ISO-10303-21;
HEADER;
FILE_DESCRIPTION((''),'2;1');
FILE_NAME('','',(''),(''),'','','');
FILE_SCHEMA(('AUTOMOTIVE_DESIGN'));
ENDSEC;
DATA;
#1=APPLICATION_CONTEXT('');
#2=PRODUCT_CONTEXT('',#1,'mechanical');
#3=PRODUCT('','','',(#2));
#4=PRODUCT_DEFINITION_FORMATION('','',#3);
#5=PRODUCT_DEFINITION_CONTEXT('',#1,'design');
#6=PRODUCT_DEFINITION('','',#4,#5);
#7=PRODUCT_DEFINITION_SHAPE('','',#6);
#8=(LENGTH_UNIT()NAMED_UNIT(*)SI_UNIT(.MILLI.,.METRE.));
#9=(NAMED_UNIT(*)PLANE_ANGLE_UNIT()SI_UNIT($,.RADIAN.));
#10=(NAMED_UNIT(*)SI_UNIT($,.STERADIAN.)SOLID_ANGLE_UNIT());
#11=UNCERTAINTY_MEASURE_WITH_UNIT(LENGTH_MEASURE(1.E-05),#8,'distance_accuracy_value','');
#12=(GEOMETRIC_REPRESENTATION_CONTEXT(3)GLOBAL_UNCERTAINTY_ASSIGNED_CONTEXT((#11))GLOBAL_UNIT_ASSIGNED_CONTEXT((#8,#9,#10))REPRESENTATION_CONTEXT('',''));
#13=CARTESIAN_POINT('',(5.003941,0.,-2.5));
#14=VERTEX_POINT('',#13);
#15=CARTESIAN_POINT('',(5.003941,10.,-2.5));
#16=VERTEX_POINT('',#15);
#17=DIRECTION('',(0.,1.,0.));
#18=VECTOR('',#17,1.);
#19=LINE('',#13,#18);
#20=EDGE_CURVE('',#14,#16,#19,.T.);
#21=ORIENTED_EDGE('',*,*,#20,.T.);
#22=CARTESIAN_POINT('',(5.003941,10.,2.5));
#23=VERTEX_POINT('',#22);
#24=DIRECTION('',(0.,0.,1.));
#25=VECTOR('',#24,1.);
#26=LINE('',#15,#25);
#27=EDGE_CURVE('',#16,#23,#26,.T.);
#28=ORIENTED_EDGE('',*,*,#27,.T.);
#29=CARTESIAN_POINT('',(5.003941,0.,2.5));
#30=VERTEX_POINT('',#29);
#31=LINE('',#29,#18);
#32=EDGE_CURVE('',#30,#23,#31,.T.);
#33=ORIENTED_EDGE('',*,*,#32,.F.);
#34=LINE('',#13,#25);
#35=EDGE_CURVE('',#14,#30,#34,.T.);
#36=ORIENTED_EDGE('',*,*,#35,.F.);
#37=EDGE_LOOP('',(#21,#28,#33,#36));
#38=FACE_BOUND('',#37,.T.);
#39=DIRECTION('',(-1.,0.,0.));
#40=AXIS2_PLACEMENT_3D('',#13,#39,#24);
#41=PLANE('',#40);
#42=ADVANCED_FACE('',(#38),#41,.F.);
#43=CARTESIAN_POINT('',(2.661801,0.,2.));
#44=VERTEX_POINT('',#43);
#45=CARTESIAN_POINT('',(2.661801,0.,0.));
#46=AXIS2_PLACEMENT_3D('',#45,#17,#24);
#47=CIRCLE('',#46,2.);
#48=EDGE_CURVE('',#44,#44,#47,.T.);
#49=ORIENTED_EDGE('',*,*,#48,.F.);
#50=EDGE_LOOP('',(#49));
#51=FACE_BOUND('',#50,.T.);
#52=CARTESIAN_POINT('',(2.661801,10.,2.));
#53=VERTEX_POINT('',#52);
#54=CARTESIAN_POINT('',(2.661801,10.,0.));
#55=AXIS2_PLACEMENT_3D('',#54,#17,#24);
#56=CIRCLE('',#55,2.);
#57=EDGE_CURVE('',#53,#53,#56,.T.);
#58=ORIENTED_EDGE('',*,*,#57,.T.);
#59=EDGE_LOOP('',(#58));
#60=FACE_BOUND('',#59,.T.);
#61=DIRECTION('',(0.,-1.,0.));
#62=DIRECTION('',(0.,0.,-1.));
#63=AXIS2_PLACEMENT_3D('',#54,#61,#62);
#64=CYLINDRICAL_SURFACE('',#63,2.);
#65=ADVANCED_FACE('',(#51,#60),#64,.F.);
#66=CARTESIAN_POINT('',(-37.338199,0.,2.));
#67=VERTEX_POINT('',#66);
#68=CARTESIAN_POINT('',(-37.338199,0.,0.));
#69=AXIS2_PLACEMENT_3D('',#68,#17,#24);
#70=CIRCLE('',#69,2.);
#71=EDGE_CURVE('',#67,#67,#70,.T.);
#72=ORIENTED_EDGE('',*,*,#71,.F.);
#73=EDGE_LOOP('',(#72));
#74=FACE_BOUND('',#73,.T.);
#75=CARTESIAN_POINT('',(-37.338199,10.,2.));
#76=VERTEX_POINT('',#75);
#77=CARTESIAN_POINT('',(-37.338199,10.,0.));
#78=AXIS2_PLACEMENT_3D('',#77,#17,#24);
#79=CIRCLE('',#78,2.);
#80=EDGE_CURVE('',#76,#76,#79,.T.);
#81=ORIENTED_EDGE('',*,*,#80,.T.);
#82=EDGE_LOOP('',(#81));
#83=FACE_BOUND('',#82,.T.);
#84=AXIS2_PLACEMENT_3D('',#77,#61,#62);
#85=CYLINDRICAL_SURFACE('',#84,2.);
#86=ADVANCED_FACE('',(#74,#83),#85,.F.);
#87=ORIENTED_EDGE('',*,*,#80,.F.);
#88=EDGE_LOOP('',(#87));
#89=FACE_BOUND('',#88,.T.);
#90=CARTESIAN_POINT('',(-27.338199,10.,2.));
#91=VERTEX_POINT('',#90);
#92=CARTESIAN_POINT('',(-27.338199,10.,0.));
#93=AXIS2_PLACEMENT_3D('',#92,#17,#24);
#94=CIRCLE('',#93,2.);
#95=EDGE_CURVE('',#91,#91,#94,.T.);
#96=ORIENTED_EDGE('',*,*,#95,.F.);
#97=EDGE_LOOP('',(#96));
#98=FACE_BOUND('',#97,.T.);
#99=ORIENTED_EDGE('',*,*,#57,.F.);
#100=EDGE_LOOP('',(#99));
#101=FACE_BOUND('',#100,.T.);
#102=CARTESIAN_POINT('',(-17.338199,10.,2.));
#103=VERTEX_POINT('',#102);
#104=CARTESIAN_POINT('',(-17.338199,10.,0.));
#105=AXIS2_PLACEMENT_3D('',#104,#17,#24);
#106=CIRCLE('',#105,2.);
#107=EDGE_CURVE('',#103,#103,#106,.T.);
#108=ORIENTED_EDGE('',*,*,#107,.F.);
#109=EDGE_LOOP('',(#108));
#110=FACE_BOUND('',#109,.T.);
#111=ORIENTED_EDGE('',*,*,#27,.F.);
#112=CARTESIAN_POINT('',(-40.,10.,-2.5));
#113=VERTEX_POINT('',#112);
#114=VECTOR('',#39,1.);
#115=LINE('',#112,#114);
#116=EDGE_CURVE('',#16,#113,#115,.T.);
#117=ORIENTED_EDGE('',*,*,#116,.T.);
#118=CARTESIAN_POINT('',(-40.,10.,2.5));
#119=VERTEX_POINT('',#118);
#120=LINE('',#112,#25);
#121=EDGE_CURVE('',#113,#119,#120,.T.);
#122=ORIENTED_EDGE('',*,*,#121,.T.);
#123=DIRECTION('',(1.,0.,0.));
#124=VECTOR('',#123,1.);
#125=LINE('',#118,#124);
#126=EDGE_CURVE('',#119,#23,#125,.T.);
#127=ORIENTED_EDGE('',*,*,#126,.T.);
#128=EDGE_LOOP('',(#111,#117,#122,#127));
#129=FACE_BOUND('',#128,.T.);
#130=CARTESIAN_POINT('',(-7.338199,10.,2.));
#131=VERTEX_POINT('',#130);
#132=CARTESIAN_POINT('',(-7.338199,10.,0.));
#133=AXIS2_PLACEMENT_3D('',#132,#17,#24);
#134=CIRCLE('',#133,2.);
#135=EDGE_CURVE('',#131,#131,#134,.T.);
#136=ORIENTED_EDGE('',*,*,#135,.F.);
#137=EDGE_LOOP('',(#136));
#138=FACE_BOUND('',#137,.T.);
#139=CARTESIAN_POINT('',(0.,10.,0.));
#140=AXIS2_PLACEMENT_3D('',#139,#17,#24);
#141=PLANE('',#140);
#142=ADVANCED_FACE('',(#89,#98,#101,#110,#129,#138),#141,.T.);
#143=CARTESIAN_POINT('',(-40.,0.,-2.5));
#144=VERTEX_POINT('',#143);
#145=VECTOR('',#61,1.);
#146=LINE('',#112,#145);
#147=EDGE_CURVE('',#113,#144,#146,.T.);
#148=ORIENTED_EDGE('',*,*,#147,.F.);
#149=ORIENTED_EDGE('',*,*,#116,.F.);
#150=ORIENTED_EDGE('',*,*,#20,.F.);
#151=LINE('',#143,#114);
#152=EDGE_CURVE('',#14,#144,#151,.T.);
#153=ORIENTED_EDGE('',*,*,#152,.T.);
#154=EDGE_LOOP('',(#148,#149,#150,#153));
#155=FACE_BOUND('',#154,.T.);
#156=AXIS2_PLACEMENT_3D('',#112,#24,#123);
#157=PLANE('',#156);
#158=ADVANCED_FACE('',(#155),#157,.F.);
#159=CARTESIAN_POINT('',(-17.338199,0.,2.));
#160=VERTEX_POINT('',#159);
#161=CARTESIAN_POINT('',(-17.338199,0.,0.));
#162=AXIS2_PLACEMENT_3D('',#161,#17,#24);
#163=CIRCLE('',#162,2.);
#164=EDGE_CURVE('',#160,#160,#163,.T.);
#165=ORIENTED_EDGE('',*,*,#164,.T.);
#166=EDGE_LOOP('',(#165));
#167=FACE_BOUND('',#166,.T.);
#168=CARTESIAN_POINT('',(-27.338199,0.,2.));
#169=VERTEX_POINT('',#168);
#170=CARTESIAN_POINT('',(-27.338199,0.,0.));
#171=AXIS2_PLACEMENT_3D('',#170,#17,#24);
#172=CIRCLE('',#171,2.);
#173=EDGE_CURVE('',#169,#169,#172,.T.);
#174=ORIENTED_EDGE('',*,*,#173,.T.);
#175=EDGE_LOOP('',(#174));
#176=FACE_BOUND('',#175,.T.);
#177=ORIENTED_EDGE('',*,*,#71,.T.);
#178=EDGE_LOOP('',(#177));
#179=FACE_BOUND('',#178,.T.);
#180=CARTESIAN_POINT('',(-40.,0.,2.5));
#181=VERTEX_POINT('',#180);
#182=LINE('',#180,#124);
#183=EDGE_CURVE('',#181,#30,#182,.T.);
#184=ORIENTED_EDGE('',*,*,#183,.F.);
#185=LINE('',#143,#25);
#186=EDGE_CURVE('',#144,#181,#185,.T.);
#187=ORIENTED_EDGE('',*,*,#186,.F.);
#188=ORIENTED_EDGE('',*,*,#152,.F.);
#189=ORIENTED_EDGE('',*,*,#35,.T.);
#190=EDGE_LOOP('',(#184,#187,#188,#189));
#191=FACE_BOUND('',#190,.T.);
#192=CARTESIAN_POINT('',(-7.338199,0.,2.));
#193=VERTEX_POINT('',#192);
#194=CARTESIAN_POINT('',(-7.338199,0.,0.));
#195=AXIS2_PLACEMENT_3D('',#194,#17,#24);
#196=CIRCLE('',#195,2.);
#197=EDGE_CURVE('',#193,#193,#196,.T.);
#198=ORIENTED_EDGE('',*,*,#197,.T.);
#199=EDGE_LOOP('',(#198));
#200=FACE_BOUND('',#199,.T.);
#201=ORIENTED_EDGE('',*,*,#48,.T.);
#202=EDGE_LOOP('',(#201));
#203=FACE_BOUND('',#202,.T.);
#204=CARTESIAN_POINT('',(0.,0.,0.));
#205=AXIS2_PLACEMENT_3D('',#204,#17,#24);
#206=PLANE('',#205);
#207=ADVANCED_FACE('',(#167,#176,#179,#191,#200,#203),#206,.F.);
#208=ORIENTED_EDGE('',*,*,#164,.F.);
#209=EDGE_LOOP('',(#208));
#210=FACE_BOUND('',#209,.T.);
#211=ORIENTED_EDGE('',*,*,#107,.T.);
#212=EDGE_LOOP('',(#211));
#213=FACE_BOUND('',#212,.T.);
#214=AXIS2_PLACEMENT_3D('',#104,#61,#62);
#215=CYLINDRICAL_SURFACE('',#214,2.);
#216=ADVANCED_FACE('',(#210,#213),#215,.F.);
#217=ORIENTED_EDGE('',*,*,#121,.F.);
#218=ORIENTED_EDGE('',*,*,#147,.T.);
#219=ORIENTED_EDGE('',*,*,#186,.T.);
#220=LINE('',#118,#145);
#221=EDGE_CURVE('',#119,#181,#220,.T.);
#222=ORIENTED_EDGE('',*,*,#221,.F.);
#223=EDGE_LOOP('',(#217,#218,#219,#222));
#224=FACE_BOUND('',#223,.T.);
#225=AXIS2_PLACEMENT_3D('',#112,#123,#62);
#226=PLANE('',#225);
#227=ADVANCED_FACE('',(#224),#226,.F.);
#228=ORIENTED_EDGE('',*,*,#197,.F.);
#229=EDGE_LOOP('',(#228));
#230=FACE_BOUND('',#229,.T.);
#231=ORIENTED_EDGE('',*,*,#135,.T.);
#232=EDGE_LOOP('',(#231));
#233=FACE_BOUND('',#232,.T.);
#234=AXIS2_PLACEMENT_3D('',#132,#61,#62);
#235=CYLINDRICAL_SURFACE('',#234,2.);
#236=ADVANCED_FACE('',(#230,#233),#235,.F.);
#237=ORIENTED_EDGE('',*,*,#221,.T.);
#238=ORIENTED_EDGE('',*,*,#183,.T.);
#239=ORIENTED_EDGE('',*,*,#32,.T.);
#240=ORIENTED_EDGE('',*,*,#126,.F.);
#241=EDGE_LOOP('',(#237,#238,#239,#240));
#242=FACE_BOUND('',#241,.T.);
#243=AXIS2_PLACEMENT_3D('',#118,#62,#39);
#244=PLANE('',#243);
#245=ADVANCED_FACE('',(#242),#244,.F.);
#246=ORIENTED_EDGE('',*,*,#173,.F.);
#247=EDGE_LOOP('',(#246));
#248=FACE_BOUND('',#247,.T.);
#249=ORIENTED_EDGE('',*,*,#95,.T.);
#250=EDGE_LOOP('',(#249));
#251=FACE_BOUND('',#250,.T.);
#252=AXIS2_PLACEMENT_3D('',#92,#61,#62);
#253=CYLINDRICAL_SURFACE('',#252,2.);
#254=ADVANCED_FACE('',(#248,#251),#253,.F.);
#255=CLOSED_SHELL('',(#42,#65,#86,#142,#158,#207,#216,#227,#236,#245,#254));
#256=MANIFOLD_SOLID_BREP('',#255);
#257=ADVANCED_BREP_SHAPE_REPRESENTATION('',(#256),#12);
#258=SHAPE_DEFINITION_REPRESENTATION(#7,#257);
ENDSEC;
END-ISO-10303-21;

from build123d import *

# Parameters (mm, degrees)
SKETCH_1_W          = 50
SKETCH_1_H          = 5
SKETCH_1_R          = 2
EXTRUDE_1_DEPTH     = 10
SKETCH_2_W          = 4.996058956
SKETCH_2_H          = 5
CUT_EXTRUDE_1_DEPTH = 10


with BuildPart() as part:
    # 草图1 → 凸台-拉伸1 (new body)
    with BuildSketch(Plane(origin=(0, 0, 0), x_dir=(1, 0, 0), z_dir=(0, 1, 0))):
        with Locations((-15, 0)):
            Rectangle(SKETCH_1_W, SKETCH_1_H)
        with Locations(Location((-37.33819922, 0, 0), (0, 0, 270))):
            Circle(SKETCH_1_R, mode=Mode.SUBTRACT)
        with Locations(Location((-27.33819922, 0, 0), (0, 0, 270))):
            Circle(SKETCH_1_R, mode=Mode.SUBTRACT)
        with Locations(Location((-17.33819922, 0, 0), (0, 0, 270))):
            Circle(SKETCH_1_R, mode=Mode.SUBTRACT)
        with Locations(Location((-7.33819922, 0, 0), (0, 0, 270))):
            Circle(SKETCH_1_R, mode=Mode.SUBTRACT)
        with Locations(Location((2.66180078, 0, 0), (0, 0, 270))):
            Circle(SKETCH_1_R, mode=Mode.SUBTRACT)
    extrude(amount=EXTRUDE_1_DEPTH)

    # 草图2 → 切除-拉伸1 (cut)
    with BuildSketch(Plane(origin=(0, 10, 0), x_dir=(1, 0, 0), z_dir=(0, 1, 0))):
        with Locations((7.501970522, 0)):
            Rectangle(SKETCH_2_W, SKETCH_2_H)
    extrude(amount=-CUT_EXTRUDE_1_DEPTH, mode=Mode.SUBTRACT)


solid = part.part
